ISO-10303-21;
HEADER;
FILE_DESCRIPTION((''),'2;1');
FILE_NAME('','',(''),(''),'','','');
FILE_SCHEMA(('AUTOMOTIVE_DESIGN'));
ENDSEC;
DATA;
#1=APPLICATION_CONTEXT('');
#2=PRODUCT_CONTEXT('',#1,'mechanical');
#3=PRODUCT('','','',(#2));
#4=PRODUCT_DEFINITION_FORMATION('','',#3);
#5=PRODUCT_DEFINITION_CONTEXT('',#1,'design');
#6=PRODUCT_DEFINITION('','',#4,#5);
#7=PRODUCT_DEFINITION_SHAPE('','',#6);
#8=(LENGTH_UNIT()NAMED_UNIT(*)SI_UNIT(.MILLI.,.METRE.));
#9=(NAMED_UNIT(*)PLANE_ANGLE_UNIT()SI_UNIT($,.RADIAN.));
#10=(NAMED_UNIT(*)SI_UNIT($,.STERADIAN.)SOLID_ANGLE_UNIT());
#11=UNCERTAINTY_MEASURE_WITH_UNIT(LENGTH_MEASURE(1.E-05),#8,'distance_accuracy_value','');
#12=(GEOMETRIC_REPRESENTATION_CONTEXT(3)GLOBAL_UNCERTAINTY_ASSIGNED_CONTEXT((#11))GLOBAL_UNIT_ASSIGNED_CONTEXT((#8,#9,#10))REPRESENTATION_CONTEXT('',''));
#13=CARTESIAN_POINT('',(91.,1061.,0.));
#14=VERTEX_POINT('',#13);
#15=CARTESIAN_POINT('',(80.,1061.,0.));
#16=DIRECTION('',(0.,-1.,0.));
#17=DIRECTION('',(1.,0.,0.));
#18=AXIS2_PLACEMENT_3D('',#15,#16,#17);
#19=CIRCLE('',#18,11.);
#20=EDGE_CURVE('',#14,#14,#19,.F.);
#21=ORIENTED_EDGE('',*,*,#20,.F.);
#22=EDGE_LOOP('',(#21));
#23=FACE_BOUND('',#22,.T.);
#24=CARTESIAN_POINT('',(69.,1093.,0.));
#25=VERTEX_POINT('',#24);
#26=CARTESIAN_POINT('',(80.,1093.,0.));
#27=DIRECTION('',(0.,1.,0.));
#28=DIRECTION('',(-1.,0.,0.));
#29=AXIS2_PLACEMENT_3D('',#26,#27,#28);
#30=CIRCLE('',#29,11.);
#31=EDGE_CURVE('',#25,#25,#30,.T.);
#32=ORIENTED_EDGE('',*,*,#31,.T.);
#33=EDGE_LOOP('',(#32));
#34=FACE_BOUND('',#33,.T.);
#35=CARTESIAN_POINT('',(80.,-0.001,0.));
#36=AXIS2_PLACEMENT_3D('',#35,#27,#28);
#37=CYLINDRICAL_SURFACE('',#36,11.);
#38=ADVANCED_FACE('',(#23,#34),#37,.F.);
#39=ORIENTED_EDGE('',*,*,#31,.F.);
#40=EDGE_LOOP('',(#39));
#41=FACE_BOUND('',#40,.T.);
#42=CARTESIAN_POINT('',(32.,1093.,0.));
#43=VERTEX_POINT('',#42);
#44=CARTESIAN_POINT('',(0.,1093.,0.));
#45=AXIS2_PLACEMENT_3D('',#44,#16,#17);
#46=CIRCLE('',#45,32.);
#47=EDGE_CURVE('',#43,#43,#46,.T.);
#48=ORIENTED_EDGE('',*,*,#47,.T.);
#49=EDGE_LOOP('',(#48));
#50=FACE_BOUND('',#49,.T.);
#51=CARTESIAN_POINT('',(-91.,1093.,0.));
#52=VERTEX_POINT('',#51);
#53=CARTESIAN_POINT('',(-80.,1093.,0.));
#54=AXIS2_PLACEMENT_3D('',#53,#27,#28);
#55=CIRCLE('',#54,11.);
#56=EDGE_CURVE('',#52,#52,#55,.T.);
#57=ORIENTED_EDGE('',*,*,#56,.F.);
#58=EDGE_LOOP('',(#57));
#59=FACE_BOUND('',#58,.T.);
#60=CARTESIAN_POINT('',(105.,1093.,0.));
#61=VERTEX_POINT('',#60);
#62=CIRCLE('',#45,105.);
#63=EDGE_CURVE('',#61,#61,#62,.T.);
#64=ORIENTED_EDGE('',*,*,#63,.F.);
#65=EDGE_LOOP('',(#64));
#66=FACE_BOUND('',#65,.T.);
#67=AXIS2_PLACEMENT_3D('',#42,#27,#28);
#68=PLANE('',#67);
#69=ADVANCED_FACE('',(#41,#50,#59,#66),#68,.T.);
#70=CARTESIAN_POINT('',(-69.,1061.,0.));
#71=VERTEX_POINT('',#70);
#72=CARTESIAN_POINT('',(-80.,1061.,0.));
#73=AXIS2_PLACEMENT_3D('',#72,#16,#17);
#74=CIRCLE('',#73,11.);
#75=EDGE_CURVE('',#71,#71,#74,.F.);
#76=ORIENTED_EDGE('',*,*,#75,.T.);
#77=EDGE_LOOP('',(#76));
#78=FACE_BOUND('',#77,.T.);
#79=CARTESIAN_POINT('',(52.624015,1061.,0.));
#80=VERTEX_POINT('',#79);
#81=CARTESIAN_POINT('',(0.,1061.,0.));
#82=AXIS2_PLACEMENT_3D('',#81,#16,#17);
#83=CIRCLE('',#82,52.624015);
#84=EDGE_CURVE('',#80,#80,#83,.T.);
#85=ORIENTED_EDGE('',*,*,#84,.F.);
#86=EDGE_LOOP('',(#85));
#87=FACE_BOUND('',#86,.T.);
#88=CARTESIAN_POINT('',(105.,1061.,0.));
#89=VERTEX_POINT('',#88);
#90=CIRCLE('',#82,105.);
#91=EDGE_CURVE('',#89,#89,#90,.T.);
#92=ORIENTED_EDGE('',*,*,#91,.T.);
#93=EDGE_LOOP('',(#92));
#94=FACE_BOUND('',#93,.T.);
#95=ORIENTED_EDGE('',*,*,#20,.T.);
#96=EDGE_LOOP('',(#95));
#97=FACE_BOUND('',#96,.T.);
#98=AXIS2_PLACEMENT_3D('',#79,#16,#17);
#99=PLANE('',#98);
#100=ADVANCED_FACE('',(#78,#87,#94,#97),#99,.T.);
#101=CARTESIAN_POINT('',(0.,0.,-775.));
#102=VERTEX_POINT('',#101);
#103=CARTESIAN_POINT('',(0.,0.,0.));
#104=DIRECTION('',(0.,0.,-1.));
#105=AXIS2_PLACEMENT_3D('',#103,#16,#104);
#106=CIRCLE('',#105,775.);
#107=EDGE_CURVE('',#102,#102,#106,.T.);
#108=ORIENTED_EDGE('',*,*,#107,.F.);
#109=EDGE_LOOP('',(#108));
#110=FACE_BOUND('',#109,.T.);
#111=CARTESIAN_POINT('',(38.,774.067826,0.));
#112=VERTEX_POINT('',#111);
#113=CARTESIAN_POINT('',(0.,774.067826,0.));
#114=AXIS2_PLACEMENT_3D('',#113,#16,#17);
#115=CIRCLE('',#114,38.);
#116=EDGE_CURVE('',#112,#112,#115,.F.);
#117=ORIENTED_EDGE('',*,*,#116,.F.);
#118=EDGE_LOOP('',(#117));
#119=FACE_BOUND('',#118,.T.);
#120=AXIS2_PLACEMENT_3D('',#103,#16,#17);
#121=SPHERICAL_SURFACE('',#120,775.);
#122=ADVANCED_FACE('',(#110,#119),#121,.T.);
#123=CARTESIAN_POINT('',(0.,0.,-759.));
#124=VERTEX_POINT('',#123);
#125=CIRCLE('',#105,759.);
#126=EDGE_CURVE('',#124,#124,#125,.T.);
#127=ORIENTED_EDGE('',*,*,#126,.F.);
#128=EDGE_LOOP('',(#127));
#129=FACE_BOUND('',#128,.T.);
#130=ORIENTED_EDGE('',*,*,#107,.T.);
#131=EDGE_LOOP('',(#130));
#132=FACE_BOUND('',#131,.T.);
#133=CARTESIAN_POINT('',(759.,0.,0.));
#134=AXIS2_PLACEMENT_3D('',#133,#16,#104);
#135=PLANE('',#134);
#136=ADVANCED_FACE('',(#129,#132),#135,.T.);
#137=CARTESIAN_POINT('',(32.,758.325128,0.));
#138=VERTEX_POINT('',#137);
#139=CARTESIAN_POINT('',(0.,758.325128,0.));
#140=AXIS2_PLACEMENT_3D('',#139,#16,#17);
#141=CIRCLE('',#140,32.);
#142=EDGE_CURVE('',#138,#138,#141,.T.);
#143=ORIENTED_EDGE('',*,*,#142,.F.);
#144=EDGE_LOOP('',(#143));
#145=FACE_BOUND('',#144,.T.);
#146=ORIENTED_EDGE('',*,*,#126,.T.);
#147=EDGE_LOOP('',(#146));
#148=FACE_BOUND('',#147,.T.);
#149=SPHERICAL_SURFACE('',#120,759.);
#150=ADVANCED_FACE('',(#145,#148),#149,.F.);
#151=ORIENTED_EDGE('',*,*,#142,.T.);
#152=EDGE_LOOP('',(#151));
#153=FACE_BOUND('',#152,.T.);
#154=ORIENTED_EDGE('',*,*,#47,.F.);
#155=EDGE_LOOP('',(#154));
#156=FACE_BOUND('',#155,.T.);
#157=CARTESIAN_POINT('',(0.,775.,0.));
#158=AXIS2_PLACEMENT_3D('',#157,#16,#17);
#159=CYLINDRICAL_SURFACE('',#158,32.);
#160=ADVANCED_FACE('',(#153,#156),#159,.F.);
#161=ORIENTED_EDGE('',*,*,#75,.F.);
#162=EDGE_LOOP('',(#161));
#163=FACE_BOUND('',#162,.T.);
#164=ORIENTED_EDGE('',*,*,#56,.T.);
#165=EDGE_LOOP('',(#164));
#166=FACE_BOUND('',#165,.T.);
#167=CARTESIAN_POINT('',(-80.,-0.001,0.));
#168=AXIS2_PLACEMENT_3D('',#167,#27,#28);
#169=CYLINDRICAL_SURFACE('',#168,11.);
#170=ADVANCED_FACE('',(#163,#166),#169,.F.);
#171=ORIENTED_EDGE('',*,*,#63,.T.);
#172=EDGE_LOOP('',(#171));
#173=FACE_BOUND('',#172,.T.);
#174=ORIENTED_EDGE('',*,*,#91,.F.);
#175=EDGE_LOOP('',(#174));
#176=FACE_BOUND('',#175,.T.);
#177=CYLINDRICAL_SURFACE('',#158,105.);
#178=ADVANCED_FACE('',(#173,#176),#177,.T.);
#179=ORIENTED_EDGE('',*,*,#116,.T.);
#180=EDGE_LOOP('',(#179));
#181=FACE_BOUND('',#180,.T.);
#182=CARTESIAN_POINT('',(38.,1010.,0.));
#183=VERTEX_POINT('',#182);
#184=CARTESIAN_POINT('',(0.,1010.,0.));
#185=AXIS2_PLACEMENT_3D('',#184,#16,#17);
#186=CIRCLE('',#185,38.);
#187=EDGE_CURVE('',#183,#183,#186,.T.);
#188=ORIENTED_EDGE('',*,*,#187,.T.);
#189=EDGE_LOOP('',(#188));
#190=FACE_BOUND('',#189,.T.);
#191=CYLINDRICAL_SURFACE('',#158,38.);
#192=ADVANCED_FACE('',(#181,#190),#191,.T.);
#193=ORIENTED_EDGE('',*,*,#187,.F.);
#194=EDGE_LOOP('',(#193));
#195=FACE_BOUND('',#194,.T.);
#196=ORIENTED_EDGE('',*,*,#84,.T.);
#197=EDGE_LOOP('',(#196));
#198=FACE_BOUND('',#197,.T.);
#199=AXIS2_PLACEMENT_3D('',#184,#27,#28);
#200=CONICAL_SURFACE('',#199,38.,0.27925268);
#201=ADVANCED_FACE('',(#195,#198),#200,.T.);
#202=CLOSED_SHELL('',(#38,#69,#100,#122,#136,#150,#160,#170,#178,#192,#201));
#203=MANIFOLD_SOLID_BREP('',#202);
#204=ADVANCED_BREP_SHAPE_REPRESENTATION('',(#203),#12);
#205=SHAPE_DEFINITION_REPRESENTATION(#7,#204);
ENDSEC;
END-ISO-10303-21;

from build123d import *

# Parameters (mm, degrees)
CUT_EXTRUDE1_REACH = 1549.869
SKETCH3_R          = 11
SKETCH4_R          = 32
CUT_EXTRUDE2_DEPTH = 500


with BuildPart() as part:
    # Sketch1 → Revolve1 (revolve)
    with BuildSketch(Plane.XY):
        with BuildLine():
            Line((0, 759), (0, 775))
            ThreePointArc((0, 775), (548.00775542, 548.00775542), (775, 0))
            Line((775, 0), (759, 0))
            ThreePointArc((759, 0), (536.694046921, 536.694046921), (0, 759))
        make_face()
    revolve(axis=Axis((0, 0, 0), (0, 1, 0)))

    # Sketch2 → Revolve2 (revolve)
    with BuildSketch(Plane.XY):
        Polygon((105, 1093), (105, 1061), (52.624014674, 1061), (38, 1010), (38, 774.067826486), (32, 774.067826486), (32, 1093), align=None)
    revolve(axis=Axis((0, 775, 0), (0, 1, 0)))

    # Sketch3 → Cut-Extrude1 (cut, up to next)
    with BuildSketch(Plane(origin=(0, 1093, 0), x_dir=(1, 0, 0), z_dir=(0, 1, 0)), mode=Mode.PRIVATE) as cut_extrude1_sk1:
        with Locations(Location((-80, 0, 0), (0, 0, 180))):
            Circle(SKETCH3_R)
    cut_extrude1_tool1 = extrude(cut_extrude1_sk1.sketch, amount=-CUT_EXTRUDE1_REACH, mode=Mode.PRIVATE) & part.part
    # Sketch3 → Cut-Extrude1 (cut, up to next)
    with BuildSketch(Plane(origin=(0, 1093, 0), x_dir=(1, 0, 0), z_dir=(0, 1, 0)), mode=Mode.PRIVATE) as cut_extrude1_sk2:
        with Locations(Location((80, 0, 0), (0, 0, 180))):
            Circle(SKETCH3_R)
    cut_extrude1_tool2 = extrude(cut_extrude1_sk2.sketch, amount=-CUT_EXTRUDE1_REACH, mode=Mode.PRIVATE) & part.part
    add(cut_extrude1_tool1.solids().sort_by_distance((-80, 1093, 0))[0], mode=Mode.SUBTRACT)
    add(cut_extrude1_tool2.solids().sort_by_distance((80, 1093, 0))[0], mode=Mode.SUBTRACT)

    # Sketch4 → Cut-Extrude2 (cut)
    with BuildSketch(Plane(origin=(0, 1093, 0), x_dir=(1, 0, 0), z_dir=(0, 1, 0))):
        Circle(SKETCH4_R)
    extrude(amount=-CUT_EXTRUDE2_DEPTH, mode=Mode.SUBTRACT)


solid = part.part
